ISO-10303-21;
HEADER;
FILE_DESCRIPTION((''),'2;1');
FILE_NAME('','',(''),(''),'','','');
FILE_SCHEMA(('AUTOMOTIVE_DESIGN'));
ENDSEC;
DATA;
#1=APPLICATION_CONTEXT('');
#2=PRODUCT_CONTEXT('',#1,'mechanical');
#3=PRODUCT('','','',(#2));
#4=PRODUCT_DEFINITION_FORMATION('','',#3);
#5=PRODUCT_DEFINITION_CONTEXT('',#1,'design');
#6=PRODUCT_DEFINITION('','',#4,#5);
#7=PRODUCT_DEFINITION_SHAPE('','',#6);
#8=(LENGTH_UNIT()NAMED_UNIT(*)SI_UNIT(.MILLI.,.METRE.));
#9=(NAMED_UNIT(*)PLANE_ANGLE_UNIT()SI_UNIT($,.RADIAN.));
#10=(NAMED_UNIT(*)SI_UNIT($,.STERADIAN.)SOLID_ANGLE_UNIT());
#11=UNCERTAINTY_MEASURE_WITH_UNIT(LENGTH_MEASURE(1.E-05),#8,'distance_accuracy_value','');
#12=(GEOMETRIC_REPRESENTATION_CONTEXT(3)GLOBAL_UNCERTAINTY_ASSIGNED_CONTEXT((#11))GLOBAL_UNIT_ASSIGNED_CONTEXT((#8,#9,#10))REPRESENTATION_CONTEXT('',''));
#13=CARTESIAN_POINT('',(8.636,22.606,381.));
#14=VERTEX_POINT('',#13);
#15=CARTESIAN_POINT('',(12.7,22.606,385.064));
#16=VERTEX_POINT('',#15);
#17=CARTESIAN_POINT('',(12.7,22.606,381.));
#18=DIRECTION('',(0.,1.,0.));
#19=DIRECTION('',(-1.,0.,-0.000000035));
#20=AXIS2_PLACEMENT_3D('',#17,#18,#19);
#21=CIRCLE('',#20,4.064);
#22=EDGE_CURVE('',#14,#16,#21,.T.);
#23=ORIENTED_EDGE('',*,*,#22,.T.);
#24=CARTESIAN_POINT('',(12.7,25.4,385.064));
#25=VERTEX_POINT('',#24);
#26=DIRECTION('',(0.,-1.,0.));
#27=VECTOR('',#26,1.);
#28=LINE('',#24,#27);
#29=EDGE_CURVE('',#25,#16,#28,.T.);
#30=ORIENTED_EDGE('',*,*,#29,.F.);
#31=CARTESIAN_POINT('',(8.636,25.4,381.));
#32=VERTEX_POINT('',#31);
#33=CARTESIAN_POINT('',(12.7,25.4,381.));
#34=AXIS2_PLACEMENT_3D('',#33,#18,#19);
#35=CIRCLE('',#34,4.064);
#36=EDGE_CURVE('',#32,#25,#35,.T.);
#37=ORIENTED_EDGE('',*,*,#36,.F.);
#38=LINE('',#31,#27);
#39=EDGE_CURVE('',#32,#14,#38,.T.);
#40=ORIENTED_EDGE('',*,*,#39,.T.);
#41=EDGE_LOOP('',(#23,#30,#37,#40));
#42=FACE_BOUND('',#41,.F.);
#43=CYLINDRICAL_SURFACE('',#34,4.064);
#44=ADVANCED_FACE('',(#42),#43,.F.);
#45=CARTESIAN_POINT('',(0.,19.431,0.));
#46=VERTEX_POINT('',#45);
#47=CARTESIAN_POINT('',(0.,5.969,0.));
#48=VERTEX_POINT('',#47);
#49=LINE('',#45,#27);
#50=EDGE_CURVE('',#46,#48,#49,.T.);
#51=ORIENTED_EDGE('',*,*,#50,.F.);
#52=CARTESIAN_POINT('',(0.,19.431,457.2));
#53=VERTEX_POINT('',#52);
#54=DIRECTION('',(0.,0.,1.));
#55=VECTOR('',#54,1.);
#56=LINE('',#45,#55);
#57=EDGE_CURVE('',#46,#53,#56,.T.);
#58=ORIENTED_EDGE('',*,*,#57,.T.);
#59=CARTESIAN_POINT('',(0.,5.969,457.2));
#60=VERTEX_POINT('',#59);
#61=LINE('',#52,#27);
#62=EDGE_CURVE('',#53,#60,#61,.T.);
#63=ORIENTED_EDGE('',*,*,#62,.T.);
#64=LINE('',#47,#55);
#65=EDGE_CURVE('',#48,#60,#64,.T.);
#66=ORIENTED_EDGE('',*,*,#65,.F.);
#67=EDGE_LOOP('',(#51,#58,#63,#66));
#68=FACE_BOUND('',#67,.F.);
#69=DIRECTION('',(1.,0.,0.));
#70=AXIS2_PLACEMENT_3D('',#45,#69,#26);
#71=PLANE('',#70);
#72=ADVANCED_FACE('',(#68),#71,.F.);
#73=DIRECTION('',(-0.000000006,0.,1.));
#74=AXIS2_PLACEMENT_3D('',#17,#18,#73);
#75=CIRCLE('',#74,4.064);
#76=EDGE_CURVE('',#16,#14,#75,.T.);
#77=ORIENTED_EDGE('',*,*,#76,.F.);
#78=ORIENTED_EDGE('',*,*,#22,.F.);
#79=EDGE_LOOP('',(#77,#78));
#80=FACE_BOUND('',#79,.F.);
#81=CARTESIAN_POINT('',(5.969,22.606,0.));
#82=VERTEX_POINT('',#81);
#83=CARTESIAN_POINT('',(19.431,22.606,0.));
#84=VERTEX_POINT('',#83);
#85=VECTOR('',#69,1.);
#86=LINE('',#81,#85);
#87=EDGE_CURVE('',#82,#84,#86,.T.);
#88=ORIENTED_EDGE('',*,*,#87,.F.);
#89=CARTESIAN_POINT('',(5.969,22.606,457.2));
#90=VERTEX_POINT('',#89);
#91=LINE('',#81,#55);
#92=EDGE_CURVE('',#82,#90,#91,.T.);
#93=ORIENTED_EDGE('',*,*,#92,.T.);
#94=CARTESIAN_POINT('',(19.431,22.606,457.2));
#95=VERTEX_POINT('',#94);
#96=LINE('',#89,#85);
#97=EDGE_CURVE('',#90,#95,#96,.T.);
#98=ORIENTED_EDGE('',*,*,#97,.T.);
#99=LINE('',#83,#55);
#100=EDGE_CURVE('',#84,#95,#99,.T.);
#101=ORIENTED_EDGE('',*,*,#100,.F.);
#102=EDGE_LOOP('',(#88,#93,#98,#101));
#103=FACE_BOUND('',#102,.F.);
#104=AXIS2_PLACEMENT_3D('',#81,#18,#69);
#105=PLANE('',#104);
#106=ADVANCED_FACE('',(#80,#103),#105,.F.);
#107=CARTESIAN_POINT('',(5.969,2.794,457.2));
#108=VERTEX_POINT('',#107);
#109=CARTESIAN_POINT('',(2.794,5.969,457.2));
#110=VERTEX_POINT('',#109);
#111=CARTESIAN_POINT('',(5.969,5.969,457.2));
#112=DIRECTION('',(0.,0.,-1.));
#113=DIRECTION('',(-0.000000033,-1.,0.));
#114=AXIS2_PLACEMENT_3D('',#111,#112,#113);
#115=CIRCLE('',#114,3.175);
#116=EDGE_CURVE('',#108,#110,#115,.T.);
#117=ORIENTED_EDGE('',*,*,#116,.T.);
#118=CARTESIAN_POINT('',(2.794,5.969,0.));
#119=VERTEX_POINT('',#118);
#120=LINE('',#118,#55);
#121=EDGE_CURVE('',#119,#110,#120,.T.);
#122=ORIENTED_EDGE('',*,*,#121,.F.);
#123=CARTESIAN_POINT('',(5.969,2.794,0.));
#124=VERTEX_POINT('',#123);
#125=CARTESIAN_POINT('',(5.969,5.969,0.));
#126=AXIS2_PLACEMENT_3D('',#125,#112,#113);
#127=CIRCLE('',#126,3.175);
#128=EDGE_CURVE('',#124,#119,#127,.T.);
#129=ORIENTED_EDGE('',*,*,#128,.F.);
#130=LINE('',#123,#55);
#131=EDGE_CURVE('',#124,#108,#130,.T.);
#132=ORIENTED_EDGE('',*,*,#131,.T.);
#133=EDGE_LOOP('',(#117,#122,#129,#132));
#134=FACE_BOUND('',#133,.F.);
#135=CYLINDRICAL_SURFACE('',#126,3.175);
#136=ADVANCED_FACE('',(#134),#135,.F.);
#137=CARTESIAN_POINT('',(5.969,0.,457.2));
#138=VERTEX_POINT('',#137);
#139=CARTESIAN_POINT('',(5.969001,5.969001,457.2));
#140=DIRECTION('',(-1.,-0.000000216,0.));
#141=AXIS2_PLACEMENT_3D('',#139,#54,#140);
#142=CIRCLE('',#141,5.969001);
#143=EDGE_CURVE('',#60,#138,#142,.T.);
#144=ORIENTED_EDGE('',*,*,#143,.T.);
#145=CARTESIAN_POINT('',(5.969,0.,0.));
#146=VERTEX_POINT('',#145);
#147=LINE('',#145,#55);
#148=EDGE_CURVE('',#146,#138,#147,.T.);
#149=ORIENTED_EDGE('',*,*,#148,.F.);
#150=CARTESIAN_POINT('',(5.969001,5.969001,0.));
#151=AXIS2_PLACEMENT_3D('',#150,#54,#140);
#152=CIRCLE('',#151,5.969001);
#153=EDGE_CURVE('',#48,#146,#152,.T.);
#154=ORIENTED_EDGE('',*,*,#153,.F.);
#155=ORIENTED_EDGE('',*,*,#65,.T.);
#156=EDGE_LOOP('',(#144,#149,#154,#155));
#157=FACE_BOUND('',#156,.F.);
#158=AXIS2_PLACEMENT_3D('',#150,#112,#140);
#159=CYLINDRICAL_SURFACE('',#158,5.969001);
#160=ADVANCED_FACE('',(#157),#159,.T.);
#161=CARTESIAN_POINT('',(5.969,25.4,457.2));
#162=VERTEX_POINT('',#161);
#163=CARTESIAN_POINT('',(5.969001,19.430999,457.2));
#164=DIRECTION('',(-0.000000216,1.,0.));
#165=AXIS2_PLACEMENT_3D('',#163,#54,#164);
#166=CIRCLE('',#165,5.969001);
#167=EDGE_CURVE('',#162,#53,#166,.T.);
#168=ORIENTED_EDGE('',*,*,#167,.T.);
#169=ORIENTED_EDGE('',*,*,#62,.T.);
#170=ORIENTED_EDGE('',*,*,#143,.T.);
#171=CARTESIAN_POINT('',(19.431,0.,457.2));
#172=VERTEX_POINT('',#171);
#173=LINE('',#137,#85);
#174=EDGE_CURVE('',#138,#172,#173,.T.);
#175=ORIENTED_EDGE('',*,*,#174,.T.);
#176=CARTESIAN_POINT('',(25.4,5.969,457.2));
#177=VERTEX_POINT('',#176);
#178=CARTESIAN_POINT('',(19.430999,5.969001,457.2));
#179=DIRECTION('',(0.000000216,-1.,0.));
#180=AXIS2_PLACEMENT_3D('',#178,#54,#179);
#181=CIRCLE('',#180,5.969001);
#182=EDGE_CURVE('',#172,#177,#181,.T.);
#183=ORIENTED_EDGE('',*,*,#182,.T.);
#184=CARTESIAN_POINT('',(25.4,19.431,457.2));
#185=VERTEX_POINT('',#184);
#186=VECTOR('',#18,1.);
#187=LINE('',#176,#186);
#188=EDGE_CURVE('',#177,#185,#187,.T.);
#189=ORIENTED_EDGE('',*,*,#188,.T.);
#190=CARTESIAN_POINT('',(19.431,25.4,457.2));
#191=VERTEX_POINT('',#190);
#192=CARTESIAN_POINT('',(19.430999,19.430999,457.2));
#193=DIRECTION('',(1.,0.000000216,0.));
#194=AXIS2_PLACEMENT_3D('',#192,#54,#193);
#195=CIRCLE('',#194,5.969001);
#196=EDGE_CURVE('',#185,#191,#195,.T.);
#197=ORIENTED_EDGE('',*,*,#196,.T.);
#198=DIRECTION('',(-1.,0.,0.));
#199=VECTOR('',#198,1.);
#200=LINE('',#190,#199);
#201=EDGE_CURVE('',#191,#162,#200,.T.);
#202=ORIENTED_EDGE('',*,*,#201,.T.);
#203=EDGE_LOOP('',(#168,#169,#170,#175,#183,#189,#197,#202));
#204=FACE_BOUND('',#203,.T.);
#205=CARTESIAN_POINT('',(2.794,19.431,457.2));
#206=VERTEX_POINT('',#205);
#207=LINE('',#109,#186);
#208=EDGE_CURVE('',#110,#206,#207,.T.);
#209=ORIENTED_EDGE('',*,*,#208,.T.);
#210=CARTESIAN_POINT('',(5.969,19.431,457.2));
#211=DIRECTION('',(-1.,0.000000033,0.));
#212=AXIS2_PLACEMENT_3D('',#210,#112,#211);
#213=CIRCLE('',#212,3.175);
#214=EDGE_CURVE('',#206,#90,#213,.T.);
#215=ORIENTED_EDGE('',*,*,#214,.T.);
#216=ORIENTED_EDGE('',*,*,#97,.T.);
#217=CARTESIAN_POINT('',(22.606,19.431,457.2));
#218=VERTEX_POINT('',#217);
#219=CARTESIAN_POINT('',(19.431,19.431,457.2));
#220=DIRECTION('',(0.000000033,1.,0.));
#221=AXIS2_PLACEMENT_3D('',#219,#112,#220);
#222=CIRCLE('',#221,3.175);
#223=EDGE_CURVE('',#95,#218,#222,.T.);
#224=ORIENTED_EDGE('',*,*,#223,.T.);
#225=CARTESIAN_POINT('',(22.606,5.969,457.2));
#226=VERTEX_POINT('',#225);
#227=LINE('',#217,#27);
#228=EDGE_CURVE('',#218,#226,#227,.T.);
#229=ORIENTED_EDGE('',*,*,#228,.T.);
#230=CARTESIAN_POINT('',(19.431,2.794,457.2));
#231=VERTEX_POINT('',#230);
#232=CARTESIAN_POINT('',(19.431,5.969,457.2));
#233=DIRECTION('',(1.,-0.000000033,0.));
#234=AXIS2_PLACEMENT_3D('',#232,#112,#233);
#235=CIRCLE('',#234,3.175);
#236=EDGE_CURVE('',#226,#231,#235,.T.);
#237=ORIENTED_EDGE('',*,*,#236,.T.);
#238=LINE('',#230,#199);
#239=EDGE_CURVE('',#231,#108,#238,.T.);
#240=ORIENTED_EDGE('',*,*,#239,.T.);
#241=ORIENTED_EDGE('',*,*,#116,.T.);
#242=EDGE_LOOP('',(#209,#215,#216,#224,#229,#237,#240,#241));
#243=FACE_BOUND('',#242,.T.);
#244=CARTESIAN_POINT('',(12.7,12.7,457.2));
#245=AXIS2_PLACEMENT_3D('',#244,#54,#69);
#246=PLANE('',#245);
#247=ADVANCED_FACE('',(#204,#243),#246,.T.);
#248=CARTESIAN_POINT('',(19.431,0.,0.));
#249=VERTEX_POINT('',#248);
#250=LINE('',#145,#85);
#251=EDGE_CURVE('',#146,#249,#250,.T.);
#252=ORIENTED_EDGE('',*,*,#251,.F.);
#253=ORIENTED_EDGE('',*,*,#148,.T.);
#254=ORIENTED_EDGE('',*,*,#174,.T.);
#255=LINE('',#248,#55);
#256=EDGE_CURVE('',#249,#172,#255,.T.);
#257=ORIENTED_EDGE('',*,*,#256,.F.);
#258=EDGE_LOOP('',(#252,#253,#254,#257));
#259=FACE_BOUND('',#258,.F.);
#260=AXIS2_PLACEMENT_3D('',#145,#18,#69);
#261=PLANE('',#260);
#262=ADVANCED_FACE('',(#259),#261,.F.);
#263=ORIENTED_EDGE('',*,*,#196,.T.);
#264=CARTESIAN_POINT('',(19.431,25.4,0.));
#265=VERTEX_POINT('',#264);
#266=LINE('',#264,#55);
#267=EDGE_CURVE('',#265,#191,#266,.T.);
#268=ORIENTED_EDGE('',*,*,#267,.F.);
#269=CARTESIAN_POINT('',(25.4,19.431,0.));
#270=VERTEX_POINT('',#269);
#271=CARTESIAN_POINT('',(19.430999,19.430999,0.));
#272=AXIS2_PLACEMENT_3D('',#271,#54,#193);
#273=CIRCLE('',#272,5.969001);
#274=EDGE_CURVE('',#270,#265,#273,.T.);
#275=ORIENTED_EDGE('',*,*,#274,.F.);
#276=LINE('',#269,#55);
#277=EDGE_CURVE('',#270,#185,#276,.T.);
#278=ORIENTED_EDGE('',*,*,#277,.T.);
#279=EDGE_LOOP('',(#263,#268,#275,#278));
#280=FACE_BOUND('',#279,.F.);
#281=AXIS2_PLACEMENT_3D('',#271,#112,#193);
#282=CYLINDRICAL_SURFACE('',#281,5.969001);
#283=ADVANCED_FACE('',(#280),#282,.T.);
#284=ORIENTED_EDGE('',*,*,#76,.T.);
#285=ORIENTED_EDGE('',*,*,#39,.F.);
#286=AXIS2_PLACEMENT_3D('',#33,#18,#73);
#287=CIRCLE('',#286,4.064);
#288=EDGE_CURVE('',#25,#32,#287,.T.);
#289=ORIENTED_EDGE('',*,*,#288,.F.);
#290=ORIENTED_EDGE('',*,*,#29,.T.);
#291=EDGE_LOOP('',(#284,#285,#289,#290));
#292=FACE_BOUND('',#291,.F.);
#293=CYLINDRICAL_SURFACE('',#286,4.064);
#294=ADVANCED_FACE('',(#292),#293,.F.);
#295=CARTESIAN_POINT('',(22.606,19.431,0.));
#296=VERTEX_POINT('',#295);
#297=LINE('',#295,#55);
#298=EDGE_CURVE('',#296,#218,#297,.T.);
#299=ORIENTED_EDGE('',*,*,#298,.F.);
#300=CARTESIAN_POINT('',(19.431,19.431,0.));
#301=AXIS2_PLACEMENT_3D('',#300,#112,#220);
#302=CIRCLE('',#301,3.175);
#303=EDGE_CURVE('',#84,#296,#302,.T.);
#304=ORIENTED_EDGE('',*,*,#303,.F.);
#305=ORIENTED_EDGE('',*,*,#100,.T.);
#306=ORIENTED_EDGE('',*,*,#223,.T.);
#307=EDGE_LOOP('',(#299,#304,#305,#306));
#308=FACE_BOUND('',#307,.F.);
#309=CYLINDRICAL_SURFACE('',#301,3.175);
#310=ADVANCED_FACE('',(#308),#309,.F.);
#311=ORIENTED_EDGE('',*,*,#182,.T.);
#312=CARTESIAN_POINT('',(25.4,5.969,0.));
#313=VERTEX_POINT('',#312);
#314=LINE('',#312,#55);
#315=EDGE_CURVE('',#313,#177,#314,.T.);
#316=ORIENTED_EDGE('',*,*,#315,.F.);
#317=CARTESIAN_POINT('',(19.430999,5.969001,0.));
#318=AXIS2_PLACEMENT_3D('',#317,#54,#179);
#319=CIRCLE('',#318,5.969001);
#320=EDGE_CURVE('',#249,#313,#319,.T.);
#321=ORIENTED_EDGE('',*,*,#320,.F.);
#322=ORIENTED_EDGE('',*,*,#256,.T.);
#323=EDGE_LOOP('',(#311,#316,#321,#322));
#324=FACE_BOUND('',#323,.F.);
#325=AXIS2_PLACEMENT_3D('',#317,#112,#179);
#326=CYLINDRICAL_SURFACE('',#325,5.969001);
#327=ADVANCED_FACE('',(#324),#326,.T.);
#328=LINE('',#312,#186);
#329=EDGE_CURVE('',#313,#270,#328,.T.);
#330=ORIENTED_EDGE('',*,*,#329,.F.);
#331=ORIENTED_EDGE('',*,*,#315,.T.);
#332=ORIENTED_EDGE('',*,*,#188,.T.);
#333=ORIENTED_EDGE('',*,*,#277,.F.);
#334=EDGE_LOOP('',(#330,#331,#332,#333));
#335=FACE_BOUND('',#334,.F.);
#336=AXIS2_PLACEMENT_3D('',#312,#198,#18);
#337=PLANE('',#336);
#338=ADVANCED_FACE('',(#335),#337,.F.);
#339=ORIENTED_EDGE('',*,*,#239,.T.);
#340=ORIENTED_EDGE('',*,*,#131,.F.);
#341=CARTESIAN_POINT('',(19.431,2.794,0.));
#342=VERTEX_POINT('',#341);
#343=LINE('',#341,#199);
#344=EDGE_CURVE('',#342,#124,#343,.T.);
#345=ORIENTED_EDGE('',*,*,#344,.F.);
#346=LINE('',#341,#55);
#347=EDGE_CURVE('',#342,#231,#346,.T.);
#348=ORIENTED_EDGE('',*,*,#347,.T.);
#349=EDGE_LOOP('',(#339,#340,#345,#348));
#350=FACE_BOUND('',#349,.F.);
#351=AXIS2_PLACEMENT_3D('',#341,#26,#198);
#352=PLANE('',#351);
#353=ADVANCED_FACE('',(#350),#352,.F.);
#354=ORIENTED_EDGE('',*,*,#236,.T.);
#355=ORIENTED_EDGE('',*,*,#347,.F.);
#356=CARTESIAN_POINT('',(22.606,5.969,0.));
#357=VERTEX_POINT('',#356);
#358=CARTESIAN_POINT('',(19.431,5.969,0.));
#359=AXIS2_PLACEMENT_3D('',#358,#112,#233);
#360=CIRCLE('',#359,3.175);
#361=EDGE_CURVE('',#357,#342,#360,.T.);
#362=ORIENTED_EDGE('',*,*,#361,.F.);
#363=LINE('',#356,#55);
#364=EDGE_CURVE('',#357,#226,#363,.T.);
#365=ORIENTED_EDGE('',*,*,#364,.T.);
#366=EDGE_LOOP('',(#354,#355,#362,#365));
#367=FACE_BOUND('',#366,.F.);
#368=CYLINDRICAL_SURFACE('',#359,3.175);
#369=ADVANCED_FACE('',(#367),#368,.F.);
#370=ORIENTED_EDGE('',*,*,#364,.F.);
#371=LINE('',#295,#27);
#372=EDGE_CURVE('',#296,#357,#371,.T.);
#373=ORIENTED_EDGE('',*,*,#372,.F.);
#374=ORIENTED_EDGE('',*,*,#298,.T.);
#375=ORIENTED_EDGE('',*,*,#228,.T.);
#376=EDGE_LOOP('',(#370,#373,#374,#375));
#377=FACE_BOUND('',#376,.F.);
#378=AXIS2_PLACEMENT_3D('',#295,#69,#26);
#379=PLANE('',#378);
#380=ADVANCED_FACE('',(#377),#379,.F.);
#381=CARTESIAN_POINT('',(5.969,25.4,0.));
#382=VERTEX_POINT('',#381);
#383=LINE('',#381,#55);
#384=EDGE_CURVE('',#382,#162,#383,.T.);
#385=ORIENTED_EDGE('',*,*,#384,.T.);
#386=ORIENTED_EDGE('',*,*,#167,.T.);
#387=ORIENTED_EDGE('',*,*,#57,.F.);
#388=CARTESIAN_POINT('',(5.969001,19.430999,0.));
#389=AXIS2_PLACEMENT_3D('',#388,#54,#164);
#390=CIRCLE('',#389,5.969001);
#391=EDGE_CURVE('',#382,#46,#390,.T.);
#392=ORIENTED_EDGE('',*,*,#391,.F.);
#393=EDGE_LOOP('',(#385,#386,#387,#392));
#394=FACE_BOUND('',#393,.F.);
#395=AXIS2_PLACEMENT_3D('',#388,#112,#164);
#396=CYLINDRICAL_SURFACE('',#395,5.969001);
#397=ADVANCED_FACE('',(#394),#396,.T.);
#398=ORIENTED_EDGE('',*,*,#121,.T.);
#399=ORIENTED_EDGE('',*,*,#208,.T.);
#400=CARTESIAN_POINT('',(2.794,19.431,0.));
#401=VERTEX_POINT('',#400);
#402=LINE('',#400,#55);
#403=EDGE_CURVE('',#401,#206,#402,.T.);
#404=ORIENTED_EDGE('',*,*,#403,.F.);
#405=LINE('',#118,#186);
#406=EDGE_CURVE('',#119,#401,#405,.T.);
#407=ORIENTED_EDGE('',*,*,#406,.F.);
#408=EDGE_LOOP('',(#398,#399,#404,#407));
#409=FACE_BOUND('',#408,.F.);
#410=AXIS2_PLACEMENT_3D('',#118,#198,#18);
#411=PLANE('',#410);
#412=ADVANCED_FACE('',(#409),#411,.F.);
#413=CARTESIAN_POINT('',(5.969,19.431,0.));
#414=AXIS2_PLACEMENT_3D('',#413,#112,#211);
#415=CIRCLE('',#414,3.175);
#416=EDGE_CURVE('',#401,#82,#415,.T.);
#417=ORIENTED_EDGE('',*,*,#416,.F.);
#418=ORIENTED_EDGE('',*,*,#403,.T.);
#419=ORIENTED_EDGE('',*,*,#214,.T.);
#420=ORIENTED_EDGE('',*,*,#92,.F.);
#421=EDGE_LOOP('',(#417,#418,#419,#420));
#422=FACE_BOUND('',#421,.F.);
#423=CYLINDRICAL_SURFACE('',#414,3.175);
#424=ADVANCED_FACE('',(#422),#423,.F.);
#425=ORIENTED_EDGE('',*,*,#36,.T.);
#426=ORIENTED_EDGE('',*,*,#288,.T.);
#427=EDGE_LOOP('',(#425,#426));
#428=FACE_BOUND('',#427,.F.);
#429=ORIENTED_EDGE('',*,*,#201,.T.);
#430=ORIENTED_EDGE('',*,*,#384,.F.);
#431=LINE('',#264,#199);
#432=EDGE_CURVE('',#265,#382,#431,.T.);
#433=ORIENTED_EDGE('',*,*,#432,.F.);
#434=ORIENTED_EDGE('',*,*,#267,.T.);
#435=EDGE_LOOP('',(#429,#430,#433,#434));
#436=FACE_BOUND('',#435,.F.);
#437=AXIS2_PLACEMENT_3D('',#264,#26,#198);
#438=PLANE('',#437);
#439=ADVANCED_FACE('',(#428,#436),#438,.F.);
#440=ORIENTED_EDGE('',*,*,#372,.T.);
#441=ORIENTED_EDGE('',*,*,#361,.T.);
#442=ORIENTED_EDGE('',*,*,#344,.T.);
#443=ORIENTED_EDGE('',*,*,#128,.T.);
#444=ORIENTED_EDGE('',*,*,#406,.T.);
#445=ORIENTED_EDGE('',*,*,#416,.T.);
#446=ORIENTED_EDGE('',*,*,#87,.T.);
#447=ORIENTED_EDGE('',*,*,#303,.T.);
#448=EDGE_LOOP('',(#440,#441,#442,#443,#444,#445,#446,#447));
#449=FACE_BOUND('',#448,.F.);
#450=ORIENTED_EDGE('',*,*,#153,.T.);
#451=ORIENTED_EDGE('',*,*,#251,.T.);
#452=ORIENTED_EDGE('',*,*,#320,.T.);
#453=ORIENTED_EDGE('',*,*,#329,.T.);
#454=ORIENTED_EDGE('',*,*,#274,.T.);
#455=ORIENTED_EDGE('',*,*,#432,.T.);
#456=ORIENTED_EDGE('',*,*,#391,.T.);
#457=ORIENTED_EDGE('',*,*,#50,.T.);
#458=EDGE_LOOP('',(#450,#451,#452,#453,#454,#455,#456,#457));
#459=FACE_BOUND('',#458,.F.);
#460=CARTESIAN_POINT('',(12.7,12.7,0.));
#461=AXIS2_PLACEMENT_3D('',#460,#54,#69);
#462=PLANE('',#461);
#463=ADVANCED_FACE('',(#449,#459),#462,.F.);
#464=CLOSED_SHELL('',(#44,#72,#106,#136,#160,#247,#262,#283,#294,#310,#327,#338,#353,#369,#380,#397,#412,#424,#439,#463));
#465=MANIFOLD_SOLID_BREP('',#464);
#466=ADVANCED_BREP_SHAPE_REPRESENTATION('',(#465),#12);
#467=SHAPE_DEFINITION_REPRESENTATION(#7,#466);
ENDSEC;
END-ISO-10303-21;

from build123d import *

# Parameters (mm, degrees)
F1_DEPTH = 457.2
F3_DEPTH = 2.794


with BuildPart() as f1:
    # F0 (on Top) → F1 (new body)
    with BuildSketch(Plane.XY):
        with BuildLine():
            ThreePointArc((0, 5.969), (1.74828, 1.74828), (5.969, 0))
            Line((5.969, 0), (19.431, 0))
            ThreePointArc((19.431, 0), (23.65172, 1.74828), (25.4, 5.969))
            Line((25.4, 5.969), (25.4, 19.431))
            ThreePointArc((25.4, 19.431), (23.65172, 23.65172), (19.431, 25.4))
            Line((19.431, 25.4), (5.969, 25.4))
            ThreePointArc((5.969, 25.4), (1.74828, 23.65172), (0, 19.431))
            Line((0, 19.431), (0, 5.969))
        make_face()
        with BuildLine():
            ThreePointArc((2.794, 19.431), (3.723936, 21.676064), (5.969, 22.606))
            Line((5.969, 22.606), (19.431, 22.606))
            ThreePointArc((19.431, 22.606), (21.676064, 21.676064), (22.606, 19.431))
            Line((22.606, 19.431), (22.606, 5.969))
            ThreePointArc((22.606, 5.969), (21.676064, 3.723936), (19.431, 2.794))
            Line((19.431, 2.794), (5.969, 2.794))
            ThreePointArc((5.969, 2.794), (3.723936, 3.723936), (2.794, 5.969))
            Line((2.794, 5.969), (2.794, 19.431))
        make_face(mode=Mode.SUBTRACT)
    extrude(amount=F1_DEPTH)

    # F2 (on face) → F3 (cut, through all)
    with BuildSketch(Plane(origin=(0, 25.4, 0), x_dir=(-1, 0, 0), z_dir=(0, 1, 0))):
        with BuildLine():
            ThreePointArc((-8.636, 381), (-9.826318, 383.873682), (-12.7, 385.064))
            ThreePointArc((-12.7, 385.064), (-15.573682, 378.126318), (-8.636, 381))
        make_face()
    extrude(amount=-F3_DEPTH, mode=Mode.SUBTRACT)


solid = f1.part
